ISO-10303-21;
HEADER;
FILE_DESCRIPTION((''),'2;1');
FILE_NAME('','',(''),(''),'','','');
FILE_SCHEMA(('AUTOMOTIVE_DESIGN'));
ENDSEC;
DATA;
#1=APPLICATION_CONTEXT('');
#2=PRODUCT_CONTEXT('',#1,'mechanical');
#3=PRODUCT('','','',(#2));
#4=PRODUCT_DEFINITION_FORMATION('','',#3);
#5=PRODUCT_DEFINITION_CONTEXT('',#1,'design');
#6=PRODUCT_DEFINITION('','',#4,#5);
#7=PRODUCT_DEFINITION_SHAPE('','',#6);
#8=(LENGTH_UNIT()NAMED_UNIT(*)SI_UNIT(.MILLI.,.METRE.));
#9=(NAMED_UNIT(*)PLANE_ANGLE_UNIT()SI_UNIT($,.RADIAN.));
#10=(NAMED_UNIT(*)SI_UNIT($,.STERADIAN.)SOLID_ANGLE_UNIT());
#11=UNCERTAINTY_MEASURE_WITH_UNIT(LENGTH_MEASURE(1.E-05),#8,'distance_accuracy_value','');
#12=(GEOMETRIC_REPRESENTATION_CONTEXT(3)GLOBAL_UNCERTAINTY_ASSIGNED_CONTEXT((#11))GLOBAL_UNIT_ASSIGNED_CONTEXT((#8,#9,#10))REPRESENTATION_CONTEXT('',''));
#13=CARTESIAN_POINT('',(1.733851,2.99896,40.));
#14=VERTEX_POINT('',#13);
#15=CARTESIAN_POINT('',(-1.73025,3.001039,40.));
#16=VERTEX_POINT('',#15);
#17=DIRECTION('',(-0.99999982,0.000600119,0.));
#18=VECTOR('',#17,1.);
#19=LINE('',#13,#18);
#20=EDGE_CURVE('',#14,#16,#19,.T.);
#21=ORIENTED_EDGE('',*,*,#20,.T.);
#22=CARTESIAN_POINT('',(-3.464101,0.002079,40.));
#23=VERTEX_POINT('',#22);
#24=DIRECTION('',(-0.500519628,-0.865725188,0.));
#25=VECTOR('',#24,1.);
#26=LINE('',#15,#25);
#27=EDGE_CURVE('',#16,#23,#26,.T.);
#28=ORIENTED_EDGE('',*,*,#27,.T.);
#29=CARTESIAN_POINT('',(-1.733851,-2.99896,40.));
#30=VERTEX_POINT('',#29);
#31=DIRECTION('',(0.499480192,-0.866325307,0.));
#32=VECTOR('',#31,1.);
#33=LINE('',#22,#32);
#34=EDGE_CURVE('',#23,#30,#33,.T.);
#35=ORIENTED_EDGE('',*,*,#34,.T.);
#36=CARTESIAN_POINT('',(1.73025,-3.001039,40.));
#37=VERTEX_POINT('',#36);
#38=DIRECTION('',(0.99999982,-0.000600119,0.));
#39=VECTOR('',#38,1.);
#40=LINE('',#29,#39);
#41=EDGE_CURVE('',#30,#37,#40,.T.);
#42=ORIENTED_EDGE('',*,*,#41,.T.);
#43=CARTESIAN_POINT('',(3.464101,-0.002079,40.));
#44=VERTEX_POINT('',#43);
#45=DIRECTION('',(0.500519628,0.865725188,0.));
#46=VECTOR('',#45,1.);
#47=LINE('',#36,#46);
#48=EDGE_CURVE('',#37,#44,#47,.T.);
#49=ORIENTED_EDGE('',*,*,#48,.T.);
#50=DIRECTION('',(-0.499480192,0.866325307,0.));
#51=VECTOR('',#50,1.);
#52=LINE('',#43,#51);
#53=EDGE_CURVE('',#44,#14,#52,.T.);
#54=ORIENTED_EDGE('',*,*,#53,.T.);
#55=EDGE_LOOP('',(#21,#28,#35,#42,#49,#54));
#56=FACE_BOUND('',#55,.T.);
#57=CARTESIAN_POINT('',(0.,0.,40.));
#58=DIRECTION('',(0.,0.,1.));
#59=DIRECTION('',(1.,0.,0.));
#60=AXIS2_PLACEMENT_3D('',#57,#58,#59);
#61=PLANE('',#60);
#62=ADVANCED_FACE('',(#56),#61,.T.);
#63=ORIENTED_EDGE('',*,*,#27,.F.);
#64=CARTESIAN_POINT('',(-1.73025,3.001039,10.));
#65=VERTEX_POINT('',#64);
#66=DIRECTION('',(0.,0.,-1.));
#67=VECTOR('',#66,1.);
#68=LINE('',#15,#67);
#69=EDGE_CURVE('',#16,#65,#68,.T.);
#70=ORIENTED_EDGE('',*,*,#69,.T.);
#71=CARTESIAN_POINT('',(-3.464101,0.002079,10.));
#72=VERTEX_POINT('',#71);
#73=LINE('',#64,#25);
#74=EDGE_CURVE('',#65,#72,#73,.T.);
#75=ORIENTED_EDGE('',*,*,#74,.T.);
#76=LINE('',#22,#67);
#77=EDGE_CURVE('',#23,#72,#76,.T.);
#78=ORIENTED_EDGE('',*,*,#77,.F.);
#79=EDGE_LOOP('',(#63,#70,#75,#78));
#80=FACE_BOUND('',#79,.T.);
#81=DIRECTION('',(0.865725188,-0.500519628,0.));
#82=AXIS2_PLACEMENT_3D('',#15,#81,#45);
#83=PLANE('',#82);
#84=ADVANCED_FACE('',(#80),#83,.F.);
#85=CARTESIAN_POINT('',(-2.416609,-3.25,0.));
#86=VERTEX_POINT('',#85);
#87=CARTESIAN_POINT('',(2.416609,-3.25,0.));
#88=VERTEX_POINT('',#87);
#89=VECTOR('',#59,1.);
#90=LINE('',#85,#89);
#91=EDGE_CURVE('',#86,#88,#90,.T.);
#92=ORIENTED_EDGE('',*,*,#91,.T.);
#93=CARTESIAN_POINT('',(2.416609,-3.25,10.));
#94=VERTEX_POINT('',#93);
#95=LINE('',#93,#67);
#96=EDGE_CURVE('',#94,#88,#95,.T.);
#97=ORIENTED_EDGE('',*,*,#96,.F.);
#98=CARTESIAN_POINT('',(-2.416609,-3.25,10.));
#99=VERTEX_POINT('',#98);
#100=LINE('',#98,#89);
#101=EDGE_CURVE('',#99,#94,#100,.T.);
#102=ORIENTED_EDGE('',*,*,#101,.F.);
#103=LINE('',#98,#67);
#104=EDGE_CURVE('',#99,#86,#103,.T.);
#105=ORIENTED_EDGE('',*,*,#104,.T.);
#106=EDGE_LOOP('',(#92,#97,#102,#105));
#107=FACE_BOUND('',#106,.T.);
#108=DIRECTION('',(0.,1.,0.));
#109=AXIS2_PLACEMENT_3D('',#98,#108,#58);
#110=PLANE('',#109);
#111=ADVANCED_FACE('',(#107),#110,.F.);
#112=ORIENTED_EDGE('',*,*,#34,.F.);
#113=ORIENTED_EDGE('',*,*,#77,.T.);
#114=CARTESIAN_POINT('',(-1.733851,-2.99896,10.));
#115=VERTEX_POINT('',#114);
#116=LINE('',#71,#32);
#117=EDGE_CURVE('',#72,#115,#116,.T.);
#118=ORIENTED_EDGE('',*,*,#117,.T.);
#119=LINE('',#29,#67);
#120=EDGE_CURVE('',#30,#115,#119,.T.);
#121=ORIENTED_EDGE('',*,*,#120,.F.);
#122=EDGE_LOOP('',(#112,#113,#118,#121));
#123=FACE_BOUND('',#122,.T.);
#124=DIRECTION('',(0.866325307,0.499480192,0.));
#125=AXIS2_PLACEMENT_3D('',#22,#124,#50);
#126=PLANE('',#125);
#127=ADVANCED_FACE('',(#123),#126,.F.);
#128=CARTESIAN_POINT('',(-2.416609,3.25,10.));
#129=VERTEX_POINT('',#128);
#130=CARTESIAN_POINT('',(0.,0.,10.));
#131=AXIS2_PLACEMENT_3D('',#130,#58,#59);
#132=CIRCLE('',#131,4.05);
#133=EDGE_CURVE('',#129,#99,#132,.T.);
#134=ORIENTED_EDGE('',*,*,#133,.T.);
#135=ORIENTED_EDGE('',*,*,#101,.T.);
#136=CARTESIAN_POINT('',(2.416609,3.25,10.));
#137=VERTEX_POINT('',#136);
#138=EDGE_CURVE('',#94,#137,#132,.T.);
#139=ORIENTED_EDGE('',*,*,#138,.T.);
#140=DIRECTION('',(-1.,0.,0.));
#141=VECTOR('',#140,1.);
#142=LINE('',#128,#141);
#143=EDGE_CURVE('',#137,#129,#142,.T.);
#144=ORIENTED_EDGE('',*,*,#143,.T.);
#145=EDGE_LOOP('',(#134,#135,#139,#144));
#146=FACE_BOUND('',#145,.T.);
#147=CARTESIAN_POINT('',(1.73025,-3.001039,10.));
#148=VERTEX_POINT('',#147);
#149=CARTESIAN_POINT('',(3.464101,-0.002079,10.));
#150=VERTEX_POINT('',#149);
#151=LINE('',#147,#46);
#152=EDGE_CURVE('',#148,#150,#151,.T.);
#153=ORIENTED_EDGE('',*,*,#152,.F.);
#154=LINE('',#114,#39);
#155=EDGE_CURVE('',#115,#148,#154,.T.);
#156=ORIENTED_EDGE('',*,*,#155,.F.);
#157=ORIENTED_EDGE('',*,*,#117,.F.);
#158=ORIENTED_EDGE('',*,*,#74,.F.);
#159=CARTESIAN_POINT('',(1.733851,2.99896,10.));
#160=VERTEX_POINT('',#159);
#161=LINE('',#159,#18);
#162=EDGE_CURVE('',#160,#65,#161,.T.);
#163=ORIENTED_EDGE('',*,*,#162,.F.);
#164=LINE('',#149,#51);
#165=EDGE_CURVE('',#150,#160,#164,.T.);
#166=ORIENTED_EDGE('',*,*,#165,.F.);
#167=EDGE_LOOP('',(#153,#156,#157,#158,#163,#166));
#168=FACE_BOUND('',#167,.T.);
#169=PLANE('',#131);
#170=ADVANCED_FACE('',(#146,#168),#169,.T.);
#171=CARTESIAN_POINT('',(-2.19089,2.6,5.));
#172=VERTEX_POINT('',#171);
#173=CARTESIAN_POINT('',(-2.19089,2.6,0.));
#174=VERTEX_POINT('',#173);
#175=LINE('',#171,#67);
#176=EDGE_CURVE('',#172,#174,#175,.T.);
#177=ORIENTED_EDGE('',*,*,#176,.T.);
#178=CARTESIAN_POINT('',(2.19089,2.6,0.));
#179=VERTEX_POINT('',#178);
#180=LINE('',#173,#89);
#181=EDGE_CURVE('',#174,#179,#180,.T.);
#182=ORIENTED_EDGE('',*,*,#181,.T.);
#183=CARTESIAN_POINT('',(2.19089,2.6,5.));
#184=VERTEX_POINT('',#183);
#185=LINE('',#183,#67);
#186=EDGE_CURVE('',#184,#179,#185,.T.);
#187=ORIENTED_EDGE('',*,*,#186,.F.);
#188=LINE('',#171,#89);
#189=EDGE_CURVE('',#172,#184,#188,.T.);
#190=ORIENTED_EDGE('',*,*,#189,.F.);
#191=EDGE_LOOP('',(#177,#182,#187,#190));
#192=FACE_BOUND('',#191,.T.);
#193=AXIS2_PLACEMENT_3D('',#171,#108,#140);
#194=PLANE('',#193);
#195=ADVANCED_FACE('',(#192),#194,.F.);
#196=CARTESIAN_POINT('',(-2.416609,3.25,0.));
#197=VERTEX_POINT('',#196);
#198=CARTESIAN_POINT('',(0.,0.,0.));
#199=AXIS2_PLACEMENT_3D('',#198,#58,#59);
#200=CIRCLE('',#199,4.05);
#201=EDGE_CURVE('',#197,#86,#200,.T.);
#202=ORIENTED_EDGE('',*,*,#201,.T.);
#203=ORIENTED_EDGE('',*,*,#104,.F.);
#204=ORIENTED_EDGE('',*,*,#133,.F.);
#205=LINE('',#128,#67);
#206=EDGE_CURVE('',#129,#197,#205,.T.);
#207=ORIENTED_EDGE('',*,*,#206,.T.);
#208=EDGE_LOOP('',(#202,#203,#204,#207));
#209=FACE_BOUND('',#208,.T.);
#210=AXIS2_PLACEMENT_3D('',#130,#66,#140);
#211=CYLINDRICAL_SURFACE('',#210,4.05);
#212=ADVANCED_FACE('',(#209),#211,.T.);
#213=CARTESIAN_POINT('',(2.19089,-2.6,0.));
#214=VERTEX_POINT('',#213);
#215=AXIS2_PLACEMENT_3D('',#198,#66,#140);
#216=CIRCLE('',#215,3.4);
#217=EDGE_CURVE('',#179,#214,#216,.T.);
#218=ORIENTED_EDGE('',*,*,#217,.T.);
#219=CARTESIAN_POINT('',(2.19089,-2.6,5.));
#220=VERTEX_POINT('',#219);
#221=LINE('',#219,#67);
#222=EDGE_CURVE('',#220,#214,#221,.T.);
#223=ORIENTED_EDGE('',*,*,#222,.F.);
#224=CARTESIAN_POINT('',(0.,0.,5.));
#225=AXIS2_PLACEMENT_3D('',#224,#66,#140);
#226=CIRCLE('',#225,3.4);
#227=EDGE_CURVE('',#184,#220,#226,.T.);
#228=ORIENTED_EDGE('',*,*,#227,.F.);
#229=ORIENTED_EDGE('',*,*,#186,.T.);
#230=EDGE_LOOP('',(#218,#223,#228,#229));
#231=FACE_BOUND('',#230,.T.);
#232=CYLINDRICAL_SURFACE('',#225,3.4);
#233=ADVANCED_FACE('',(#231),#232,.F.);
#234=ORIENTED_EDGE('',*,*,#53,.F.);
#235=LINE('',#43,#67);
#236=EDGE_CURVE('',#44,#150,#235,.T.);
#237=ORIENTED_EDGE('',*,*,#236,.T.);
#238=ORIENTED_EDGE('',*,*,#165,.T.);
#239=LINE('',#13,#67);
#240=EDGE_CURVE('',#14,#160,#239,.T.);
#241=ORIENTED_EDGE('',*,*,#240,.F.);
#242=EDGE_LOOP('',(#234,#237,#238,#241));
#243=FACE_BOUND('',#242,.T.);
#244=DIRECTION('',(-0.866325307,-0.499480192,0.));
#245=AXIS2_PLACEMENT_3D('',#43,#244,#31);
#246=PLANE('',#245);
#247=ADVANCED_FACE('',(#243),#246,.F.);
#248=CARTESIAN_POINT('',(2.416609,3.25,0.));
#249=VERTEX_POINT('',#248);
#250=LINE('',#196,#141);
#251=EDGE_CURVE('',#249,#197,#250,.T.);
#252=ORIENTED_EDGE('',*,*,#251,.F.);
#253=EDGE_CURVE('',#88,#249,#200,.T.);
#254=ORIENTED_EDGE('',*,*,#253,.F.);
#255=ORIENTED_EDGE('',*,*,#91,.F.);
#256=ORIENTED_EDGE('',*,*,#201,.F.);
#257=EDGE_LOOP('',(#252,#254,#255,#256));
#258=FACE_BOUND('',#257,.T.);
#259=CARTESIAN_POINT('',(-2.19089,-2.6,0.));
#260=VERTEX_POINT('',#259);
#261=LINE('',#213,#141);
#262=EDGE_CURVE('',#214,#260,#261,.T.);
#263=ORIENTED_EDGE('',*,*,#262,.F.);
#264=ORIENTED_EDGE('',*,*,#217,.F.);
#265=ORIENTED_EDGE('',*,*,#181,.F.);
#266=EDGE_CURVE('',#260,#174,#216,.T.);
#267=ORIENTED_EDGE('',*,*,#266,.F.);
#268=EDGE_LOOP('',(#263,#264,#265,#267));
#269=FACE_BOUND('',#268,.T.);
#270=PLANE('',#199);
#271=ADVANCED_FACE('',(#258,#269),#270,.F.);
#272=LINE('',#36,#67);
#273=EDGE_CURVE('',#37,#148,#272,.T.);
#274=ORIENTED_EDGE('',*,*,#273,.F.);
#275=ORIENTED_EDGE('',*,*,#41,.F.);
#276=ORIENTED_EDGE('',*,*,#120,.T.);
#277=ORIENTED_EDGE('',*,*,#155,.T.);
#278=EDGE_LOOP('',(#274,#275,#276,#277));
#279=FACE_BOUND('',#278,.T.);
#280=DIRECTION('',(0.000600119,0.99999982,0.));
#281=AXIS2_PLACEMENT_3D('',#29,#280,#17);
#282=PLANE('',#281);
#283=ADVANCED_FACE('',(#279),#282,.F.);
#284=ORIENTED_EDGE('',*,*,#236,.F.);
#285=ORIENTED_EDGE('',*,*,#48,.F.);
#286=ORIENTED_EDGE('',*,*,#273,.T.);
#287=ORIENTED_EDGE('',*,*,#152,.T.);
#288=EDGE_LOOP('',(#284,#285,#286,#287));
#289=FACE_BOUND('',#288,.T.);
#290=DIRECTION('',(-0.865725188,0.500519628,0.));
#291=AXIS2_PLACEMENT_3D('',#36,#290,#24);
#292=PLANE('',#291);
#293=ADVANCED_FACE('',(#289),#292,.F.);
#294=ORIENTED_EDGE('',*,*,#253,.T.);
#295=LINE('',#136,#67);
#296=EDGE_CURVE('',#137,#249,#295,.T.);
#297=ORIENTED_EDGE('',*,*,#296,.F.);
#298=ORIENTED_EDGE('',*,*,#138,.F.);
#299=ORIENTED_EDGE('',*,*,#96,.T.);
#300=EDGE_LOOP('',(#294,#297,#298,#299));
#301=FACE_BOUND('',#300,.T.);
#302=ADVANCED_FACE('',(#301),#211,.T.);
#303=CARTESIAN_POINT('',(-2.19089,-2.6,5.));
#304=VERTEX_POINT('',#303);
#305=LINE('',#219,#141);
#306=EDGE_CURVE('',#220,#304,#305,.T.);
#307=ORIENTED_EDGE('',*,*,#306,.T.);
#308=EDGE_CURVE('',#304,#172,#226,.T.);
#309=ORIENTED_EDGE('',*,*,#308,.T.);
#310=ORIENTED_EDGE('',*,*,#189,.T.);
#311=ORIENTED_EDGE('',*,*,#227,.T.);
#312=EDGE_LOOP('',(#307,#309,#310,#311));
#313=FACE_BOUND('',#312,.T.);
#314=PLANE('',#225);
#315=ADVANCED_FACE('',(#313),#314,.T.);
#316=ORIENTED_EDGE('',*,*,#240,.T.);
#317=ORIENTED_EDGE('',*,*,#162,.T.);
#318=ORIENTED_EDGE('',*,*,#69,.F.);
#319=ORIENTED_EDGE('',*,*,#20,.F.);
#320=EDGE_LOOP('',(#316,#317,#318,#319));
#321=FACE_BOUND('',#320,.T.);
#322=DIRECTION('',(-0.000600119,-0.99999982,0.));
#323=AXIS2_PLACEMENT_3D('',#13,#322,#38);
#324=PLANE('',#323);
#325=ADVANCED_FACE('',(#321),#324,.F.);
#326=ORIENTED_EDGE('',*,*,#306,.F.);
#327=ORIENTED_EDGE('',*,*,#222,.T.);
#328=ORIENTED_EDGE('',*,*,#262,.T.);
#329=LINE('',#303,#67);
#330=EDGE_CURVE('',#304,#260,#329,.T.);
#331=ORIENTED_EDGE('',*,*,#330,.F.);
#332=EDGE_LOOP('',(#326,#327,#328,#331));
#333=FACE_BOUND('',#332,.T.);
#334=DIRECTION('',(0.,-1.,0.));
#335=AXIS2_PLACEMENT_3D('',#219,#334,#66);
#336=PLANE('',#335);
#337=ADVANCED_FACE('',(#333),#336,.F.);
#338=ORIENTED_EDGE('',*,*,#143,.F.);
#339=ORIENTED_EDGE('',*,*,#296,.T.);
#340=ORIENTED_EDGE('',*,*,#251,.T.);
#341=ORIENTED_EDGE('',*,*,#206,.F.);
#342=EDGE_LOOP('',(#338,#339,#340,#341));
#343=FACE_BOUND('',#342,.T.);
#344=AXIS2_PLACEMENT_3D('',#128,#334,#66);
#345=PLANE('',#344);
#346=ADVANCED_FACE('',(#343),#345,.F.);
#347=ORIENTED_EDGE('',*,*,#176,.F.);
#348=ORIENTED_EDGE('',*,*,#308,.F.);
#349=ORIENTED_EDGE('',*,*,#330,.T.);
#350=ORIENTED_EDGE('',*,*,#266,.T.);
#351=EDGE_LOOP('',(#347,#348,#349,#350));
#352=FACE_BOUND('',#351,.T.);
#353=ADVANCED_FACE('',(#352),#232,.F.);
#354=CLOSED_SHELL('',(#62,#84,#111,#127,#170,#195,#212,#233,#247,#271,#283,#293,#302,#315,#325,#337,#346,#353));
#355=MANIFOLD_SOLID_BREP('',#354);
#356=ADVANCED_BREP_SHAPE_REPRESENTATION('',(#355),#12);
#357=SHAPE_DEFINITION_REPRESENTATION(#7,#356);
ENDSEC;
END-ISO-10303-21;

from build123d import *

# Parameters (mm, degrees)
BOSS_EXTRUDE2_DEPTH = 10
BOSS_EXTRUDE3_DEPTH = 30
CUT_EXTRUDE1_DEPTH  = 5


with BuildPart() as part:
    # Sketch1 → Boss-Extrude2 (new body)
    with BuildSketch(Plane.XY):
        with BuildLine():
            Line((-2.416609195, 3.25), (2.416609195, 3.25))
            ThreePointArc((2.416609195, 3.25), (4.05, 0), (2.416609195, -3.25))
            Line((2.416609195, -3.25), (-2.416609195, -3.25))
            ThreePointArc((-2.416609195, -3.25), (-4.05, 0), (-2.416609195, 3.25))
        make_face()
    extrude(amount=BOSS_EXTRUDE2_DEPTH)

    # Sketch4 → Boss-Extrude3 (add)
    with BuildSketch(Plane.XY.offset(10)):
        Polygon((1.730250139, -3.001038896), (3.464100991, -0.002078873), (1.733850853, 2.998960023), (-1.730250139, 3.001038896), (-3.464100991, 0.002078873), (-1.733850853, -2.998960023), align=None)
    extrude(amount=BOSS_EXTRUDE3_DEPTH)

    # Sketch3 → Cut-Extrude1 (cut)
    with BuildSketch(Plane(origin=(0, 0, 0), x_dir=(-1, 0, 0), z_dir=(0, 0, -1))):
        with BuildLine():
            Line((2.19089023, 2.6), (-2.19089023, 2.6))
            ThreePointArc((-2.19089023, 2.6), (-3.4, 0), (-2.19089023, -2.6))
            Line((-2.19089023, -2.6), (2.19089023, -2.6))
            ThreePointArc((2.19089023, -2.6), (3.4, 0), (2.19089023, 2.6))
        make_face()
    extrude(amount=-CUT_EXTRUDE1_DEPTH, mode=Mode.SUBTRACT)


solid = part.part
